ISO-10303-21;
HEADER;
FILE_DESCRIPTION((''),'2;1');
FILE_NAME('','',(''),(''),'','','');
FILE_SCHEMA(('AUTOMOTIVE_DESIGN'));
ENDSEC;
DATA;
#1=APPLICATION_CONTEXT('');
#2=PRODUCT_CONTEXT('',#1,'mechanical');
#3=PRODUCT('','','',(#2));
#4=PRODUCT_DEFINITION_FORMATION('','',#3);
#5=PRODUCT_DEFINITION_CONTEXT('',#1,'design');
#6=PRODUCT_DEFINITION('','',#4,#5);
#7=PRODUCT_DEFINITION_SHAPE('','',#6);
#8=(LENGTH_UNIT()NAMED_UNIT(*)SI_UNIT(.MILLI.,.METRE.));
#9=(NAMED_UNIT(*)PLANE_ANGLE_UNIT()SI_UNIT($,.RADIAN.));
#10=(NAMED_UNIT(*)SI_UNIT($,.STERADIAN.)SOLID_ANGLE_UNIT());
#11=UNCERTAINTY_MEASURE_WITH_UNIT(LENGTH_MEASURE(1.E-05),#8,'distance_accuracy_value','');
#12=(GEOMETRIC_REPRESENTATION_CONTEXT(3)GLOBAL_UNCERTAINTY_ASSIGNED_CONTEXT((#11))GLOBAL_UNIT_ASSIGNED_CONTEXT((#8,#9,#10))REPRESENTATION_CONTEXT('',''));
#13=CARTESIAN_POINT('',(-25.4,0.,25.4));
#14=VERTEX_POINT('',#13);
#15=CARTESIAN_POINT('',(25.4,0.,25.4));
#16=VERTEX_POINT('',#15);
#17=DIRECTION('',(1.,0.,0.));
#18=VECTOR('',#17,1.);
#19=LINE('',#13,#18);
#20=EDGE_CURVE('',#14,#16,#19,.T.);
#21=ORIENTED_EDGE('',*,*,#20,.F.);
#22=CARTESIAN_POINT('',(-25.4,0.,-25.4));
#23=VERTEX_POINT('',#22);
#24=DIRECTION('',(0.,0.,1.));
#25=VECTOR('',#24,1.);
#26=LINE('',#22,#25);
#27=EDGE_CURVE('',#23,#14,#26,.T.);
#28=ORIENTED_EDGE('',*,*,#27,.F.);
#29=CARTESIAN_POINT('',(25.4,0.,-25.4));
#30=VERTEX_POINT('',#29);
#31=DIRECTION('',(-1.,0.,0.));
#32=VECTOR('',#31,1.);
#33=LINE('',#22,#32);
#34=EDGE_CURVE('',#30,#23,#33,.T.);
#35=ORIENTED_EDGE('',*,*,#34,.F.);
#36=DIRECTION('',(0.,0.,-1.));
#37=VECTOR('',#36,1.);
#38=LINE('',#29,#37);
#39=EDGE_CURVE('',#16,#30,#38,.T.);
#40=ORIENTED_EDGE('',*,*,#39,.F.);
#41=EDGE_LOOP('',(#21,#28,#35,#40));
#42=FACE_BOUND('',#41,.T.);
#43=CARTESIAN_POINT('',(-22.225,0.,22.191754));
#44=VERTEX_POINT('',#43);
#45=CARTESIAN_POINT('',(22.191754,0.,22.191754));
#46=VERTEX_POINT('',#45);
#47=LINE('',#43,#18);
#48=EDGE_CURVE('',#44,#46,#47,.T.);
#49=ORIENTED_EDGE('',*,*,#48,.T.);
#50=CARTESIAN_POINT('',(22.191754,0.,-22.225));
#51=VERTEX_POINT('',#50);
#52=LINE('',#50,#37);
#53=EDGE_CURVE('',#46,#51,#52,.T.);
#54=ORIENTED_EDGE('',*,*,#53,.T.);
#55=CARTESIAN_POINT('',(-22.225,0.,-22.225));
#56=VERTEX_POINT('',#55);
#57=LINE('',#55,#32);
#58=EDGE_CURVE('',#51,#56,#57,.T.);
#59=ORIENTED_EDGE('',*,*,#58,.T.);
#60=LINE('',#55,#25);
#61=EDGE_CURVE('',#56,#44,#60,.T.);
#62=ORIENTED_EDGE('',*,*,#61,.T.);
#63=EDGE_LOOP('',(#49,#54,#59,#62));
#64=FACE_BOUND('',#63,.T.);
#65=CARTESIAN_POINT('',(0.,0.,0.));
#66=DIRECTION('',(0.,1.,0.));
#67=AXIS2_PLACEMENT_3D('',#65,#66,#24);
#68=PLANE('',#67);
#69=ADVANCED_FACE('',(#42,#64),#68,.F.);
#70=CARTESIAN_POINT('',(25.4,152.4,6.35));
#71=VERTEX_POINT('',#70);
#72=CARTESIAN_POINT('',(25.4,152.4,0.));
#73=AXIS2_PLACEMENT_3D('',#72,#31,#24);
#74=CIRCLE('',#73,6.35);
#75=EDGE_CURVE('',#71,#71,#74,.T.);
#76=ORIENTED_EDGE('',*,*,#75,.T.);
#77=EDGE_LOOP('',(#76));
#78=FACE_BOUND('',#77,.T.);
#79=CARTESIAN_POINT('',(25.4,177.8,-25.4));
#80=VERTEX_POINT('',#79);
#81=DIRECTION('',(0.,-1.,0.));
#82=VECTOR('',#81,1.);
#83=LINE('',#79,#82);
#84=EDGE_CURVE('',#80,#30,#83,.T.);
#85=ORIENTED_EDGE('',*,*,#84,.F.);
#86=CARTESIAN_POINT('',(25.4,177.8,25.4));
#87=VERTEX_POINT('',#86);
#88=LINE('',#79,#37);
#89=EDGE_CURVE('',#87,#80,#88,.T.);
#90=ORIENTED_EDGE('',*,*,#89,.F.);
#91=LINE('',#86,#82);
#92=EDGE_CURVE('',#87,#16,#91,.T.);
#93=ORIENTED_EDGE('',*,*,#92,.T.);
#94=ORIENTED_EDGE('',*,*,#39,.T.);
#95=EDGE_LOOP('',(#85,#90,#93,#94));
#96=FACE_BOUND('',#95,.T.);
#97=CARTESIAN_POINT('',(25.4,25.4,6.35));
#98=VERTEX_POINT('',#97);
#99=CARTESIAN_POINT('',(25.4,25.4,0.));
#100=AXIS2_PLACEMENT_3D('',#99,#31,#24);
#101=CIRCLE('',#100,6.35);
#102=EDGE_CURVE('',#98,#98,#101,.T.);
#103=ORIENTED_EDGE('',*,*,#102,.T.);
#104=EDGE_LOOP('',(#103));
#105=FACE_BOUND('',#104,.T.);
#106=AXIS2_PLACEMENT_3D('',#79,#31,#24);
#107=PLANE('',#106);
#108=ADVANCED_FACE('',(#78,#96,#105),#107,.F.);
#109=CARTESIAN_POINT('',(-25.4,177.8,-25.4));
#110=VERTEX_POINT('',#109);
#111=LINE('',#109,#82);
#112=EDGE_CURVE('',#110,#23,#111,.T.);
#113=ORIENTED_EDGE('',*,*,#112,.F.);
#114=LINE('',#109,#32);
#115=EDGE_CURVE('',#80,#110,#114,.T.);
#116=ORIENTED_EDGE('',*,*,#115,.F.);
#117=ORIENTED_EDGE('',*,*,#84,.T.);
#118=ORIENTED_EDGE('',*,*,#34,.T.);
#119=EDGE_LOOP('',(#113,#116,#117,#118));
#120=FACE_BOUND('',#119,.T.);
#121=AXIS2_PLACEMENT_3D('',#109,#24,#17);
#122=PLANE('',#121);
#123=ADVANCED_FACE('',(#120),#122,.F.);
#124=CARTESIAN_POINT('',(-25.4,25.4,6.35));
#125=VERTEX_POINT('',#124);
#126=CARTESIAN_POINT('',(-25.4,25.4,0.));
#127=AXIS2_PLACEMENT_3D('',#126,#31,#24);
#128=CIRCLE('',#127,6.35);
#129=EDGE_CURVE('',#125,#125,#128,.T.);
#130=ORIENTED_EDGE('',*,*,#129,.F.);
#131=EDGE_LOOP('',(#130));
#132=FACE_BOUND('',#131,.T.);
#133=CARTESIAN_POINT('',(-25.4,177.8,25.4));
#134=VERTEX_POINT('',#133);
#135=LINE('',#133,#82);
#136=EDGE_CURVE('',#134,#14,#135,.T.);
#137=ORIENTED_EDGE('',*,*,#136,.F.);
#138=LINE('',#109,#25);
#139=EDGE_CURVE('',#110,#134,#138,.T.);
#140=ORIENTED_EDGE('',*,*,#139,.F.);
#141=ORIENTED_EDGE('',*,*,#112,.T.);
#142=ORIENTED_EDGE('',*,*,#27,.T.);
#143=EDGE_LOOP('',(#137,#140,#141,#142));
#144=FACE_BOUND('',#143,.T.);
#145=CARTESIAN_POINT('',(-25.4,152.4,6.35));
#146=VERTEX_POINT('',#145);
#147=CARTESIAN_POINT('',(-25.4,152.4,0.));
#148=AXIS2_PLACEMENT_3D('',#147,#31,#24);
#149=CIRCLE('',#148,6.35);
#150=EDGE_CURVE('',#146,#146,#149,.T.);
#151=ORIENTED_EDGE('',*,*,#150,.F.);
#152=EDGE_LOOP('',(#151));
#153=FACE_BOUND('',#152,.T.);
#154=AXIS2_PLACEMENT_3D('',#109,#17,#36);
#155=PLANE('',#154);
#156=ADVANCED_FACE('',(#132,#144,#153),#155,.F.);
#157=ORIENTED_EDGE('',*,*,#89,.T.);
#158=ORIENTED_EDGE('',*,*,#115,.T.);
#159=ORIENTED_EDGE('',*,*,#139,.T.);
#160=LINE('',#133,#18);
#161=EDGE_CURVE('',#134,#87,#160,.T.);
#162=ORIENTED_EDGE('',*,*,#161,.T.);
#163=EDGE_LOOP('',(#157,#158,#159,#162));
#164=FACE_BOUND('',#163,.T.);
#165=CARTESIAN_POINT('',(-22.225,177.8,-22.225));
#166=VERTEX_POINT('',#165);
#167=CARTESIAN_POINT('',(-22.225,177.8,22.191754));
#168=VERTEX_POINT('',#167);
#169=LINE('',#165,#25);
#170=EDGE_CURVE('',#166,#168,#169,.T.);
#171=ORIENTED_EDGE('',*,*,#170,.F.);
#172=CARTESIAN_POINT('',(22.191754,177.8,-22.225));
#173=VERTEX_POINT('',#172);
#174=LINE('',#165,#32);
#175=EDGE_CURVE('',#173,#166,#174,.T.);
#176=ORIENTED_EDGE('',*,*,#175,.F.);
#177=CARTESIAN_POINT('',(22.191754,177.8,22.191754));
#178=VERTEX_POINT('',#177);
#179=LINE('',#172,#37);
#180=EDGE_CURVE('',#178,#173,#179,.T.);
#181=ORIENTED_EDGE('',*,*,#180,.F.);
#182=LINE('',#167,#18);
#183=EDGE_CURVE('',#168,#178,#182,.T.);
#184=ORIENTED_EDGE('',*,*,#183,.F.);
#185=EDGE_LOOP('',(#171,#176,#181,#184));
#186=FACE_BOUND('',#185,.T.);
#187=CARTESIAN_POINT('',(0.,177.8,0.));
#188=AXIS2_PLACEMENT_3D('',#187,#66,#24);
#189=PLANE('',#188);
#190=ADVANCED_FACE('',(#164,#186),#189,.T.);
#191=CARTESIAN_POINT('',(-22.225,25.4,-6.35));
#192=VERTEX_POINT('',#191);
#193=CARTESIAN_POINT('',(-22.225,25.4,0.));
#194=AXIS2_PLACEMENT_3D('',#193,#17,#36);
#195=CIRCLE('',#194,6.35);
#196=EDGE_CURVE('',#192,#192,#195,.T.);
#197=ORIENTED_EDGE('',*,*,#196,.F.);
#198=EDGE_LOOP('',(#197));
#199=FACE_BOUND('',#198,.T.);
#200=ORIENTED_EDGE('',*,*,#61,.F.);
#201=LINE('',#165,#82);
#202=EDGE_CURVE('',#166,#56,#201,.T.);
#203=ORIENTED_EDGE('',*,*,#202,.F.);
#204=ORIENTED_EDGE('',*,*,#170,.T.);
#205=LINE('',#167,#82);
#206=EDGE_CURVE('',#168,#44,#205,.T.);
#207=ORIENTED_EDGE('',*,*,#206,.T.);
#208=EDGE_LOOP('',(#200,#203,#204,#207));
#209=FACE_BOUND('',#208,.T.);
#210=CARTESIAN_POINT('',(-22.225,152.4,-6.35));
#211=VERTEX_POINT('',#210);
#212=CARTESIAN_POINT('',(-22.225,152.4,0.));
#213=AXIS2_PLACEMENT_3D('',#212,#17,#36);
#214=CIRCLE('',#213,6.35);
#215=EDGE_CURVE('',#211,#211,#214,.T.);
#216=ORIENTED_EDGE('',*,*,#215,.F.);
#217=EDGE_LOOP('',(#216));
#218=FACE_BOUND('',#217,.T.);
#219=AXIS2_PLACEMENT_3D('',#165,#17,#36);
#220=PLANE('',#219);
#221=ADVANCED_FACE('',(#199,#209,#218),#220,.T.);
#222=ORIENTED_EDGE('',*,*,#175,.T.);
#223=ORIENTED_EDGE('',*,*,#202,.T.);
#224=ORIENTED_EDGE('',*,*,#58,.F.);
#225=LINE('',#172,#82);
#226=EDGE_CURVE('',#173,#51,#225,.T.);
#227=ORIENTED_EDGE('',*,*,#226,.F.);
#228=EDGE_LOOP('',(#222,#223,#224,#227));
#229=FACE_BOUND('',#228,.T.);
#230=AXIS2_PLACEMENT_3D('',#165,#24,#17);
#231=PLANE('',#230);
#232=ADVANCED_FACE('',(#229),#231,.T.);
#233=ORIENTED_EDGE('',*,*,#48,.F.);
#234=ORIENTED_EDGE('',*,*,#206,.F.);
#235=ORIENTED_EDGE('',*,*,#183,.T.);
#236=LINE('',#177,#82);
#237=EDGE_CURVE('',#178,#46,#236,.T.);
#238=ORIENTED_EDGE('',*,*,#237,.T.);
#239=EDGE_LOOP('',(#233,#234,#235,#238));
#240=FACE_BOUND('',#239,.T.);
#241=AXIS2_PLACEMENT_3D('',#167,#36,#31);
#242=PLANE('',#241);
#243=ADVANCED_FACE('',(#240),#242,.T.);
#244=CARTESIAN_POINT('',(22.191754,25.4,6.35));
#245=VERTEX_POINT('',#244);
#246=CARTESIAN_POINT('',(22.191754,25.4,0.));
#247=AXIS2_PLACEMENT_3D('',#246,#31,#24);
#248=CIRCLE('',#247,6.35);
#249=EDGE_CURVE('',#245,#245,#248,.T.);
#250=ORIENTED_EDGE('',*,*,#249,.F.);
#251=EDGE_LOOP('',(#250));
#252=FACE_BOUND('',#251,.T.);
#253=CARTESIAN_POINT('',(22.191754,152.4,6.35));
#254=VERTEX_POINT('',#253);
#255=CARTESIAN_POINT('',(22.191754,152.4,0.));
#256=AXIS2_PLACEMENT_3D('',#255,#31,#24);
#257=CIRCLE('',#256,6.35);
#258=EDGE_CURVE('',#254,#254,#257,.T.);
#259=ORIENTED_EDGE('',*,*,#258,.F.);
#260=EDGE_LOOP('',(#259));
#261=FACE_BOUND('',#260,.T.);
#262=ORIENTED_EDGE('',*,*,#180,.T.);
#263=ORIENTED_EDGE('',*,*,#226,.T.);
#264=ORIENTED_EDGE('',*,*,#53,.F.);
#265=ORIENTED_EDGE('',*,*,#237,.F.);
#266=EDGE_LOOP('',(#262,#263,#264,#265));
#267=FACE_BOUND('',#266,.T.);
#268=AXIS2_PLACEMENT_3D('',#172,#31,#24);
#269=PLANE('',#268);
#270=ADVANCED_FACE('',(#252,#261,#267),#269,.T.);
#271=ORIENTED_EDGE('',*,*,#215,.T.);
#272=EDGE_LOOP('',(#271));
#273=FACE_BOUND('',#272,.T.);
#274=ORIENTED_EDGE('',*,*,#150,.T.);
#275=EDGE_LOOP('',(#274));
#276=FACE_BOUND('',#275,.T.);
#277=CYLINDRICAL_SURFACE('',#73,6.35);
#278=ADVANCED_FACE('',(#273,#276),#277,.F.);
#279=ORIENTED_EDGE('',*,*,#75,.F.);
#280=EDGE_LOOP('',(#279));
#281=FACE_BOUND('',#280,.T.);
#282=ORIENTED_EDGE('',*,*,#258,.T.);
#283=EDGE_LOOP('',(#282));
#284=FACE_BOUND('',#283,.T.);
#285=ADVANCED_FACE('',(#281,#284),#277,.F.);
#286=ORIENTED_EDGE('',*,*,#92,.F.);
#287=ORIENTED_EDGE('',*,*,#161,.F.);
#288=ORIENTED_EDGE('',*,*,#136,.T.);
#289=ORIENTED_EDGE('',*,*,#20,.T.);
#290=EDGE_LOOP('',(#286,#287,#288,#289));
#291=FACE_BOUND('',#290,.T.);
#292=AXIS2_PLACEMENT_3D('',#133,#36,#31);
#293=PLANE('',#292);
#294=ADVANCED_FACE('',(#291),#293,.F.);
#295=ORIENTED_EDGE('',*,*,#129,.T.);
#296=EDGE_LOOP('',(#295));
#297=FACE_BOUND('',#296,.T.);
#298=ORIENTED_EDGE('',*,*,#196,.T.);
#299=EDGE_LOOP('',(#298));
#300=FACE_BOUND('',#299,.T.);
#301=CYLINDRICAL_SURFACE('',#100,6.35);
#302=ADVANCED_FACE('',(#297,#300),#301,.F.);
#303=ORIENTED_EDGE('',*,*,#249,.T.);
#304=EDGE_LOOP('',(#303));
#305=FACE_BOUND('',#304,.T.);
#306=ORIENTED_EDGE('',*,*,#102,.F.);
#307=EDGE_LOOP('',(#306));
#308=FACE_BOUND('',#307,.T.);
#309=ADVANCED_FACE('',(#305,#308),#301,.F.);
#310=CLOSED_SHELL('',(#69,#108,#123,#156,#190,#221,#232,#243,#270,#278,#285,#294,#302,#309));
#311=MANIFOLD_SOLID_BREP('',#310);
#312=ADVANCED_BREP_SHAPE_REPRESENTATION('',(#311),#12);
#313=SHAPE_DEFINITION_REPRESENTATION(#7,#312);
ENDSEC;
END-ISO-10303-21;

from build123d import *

# Parameters (mm, degrees)
SKETCH1_W           = 50.8
SKETCH1_H           = 50.8
SKETCH1_W_2         = 44.416753927
SKETCH1_H_2         = 44.416753927
BOSS_EXTRUDE1_DEPTH = 177.8
SKETCH2_R           = 6.35
CUT_EXTRUDE1_DEPTH  = 51.8


with BuildPart() as part:
    # Sketch1 → Boss-Extrude1 (new body)
    with BuildSketch(Plane(origin=(0, 0, 0), x_dir=(1, 0, 0), z_dir=(0, 1, 0))):
        Rectangle(SKETCH1_W, SKETCH1_H)
        with Locations((-0.016623037, 0.016623037)):
            Rectangle(SKETCH1_W_2, SKETCH1_H_2, mode=Mode.SUBTRACT)
    extrude(amount=BOSS_EXTRUDE1_DEPTH)

    # Sketch2 → Cut-Extrude1 (cut, through all)
    with BuildSketch(Plane.ZY.offset(25.4)):
        with Locations((0, 25.4)):
            Circle(SKETCH2_R)
        with Locations((0, 152.4)):
            Circle(SKETCH2_R)
    extrude(amount=-CUT_EXTRUDE1_DEPTH, mode=Mode.SUBTRACT)


solid = part.part
